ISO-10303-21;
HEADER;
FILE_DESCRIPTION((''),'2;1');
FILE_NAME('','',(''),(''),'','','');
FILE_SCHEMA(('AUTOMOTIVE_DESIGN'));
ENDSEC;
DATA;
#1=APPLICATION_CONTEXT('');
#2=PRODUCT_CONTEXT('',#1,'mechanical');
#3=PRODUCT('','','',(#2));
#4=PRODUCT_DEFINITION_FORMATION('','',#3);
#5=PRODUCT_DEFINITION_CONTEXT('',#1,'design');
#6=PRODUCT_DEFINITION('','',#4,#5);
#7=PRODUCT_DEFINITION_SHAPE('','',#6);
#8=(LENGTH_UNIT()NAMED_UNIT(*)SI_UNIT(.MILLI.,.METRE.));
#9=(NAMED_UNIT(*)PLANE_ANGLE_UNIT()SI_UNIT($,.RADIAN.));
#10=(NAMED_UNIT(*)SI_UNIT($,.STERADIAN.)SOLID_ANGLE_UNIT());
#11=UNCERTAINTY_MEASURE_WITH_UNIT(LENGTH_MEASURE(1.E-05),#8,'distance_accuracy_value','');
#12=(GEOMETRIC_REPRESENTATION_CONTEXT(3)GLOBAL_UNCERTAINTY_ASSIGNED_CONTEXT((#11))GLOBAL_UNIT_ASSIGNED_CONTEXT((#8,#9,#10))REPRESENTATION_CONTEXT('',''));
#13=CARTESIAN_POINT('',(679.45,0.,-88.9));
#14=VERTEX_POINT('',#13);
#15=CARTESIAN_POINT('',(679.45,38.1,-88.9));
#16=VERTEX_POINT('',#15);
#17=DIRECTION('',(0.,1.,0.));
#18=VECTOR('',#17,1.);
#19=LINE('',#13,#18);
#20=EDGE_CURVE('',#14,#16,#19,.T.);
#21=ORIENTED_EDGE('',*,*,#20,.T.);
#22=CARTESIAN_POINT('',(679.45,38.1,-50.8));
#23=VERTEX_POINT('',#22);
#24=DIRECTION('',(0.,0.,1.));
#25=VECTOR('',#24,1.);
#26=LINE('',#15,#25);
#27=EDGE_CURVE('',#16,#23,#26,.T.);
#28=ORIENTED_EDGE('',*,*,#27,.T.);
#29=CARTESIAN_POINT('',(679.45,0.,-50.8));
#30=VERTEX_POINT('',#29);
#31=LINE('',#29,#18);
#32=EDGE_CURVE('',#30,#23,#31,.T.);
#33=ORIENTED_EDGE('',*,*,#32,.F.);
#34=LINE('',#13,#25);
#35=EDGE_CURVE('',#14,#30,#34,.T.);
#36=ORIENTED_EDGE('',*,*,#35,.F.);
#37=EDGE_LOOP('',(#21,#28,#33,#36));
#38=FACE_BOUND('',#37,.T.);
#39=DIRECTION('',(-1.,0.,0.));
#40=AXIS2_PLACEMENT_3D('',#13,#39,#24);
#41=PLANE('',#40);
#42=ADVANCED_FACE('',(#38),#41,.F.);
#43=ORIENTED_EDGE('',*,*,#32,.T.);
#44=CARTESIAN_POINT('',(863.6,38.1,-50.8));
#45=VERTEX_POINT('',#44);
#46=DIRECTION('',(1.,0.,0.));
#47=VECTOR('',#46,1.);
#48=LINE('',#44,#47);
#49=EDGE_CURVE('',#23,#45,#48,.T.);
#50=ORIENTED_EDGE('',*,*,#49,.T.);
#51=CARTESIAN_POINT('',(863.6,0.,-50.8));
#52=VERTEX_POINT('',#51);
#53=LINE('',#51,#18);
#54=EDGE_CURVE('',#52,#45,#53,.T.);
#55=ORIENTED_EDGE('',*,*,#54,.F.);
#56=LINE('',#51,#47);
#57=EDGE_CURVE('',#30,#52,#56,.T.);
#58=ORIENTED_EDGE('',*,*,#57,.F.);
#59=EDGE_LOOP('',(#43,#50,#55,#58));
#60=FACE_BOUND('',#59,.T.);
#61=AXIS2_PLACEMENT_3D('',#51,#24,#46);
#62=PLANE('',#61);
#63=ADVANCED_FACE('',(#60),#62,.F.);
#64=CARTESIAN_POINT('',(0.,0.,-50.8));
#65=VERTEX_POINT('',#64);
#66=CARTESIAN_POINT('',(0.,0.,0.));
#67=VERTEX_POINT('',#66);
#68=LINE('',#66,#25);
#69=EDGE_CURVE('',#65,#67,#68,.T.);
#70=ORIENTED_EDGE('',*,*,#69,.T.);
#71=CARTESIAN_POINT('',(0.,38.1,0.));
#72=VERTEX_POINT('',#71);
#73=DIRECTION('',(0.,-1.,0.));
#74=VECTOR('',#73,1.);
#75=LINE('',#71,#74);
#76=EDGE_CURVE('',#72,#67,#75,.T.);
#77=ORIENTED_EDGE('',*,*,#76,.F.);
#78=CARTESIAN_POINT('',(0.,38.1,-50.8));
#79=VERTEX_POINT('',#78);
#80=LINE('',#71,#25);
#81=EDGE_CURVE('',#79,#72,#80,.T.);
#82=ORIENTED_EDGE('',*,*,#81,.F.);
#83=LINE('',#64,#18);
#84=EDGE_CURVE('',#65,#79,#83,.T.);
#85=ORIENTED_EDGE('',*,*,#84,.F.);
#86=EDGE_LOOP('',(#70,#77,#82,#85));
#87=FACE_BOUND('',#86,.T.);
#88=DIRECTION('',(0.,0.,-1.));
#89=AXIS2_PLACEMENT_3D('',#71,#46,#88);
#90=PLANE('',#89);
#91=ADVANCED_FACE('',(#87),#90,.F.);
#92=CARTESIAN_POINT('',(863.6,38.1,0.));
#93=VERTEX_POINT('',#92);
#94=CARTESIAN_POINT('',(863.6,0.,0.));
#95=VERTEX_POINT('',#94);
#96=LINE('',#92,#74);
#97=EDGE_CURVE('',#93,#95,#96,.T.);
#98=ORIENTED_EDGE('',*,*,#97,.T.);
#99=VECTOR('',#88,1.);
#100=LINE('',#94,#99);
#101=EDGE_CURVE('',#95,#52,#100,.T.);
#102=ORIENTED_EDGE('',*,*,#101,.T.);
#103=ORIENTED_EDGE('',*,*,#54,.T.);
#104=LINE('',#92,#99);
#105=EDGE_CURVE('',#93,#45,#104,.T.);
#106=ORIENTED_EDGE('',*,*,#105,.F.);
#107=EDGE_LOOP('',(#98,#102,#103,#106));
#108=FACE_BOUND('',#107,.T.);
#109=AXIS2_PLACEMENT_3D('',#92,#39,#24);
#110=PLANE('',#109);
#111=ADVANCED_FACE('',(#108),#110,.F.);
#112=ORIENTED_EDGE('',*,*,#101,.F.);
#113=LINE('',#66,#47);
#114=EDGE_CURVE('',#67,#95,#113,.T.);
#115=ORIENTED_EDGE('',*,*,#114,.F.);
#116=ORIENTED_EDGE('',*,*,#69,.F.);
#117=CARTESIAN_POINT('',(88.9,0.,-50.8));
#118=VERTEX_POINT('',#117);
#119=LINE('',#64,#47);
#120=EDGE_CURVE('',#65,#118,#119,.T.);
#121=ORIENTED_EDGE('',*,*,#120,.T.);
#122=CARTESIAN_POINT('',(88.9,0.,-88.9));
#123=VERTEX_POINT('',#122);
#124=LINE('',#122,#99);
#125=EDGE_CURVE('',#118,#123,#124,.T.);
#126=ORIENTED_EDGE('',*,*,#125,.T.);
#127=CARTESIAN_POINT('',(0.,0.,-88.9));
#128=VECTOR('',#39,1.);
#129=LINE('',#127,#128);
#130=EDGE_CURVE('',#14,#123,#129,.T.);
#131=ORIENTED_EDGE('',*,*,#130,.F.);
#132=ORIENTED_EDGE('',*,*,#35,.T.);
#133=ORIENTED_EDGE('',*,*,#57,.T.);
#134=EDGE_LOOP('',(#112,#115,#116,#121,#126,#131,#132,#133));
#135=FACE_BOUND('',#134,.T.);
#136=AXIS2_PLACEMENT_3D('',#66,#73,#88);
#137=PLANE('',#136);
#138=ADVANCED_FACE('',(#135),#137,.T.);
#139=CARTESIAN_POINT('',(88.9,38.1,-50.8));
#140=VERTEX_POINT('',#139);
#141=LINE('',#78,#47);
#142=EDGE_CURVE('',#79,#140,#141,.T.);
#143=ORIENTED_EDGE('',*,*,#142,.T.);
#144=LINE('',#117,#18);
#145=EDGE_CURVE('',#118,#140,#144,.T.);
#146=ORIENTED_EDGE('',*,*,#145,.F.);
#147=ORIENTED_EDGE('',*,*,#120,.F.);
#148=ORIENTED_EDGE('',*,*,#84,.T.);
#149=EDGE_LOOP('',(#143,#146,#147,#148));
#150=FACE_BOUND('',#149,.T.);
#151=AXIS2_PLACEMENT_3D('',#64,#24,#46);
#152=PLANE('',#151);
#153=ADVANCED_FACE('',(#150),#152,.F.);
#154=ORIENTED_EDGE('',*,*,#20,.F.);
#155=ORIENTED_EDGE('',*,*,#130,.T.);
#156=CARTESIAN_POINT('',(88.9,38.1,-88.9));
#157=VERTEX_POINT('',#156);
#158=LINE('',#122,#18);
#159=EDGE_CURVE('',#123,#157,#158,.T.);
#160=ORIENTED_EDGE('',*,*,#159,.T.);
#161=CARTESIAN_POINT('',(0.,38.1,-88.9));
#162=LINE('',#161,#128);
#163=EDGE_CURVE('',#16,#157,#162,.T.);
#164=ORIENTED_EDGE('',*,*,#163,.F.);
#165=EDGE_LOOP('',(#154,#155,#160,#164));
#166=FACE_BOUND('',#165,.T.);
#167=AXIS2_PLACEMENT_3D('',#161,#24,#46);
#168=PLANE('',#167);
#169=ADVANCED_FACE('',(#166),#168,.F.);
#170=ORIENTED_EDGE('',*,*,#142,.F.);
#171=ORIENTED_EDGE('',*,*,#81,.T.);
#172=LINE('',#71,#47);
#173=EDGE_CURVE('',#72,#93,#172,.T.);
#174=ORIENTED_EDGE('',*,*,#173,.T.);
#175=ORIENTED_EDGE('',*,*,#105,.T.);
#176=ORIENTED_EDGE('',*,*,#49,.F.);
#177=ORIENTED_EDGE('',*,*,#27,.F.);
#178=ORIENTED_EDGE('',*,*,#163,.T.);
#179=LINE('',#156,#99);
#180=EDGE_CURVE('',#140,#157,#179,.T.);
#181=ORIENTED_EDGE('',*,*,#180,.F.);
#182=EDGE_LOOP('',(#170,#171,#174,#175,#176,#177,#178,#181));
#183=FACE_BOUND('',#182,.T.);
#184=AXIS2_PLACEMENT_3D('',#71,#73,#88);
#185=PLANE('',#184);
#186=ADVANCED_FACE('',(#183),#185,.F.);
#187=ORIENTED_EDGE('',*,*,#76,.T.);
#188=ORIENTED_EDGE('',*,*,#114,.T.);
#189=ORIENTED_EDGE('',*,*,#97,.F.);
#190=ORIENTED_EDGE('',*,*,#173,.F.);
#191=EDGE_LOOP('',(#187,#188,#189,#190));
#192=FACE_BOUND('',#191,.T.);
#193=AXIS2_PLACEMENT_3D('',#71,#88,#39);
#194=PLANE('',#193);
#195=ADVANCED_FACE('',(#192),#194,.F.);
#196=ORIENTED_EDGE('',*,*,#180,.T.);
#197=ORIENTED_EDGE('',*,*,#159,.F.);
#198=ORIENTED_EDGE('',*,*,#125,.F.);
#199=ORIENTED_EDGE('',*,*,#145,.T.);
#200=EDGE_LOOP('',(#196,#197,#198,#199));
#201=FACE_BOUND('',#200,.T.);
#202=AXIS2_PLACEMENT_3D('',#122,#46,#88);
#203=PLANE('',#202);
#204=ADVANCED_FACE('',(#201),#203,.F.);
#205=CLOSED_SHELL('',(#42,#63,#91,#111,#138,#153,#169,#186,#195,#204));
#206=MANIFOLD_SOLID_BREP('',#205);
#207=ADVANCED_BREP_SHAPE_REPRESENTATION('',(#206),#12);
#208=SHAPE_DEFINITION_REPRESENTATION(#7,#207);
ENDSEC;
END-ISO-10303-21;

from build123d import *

# Parameters (mm, degrees)
SKETCH1_W           = 863.6
SKETCH1_H           = 88.9
BOSS_EXTRUDE1_DEPTH = 38.1
SKETCH3_W           = 184.15
SKETCH3_H           = 38.1
CUT_EXTRUDE1_DEPTH  = 39.1
SKETCH4_W           = 88.9
SKETCH4_H           = 38.1
CUT_EXTRUDE2_DEPTH  = 39.1


with BuildPart() as part:
    # Sketch1 → Boss-Extrude1 (new body)
    with BuildSketch(Plane(origin=(0, 0, 0), x_dir=(1, 0, 0), z_dir=(0, 1, 0))):
        with Locations((431.8, 44.45)):
            Rectangle(SKETCH1_W, SKETCH1_H)
    extrude(amount=BOSS_EXTRUDE1_DEPTH)

    # Sketch3 → Cut-Extrude1 (cut, through all)
    with BuildSketch(Plane(origin=(0, 38.1, 0), x_dir=(1, 0, 0), z_dir=(0, 1, 0))):
        with Locations((771.525, 69.85)):
            Rectangle(SKETCH3_W, SKETCH3_H)
    extrude(amount=-CUT_EXTRUDE1_DEPTH, mode=Mode.SUBTRACT)

    # Sketch4 → Cut-Extrude2 (cut, through all)
    with BuildSketch(Plane(origin=(0, 38.1, 0), x_dir=(1, 0, 0), z_dir=(0, 1, 0))):
        with Locations((44.45, 69.85)):
            Rectangle(SKETCH4_W, SKETCH4_H)
    extrude(amount=-CUT_EXTRUDE2_DEPTH, mode=Mode.SUBTRACT)


solid = part.part
